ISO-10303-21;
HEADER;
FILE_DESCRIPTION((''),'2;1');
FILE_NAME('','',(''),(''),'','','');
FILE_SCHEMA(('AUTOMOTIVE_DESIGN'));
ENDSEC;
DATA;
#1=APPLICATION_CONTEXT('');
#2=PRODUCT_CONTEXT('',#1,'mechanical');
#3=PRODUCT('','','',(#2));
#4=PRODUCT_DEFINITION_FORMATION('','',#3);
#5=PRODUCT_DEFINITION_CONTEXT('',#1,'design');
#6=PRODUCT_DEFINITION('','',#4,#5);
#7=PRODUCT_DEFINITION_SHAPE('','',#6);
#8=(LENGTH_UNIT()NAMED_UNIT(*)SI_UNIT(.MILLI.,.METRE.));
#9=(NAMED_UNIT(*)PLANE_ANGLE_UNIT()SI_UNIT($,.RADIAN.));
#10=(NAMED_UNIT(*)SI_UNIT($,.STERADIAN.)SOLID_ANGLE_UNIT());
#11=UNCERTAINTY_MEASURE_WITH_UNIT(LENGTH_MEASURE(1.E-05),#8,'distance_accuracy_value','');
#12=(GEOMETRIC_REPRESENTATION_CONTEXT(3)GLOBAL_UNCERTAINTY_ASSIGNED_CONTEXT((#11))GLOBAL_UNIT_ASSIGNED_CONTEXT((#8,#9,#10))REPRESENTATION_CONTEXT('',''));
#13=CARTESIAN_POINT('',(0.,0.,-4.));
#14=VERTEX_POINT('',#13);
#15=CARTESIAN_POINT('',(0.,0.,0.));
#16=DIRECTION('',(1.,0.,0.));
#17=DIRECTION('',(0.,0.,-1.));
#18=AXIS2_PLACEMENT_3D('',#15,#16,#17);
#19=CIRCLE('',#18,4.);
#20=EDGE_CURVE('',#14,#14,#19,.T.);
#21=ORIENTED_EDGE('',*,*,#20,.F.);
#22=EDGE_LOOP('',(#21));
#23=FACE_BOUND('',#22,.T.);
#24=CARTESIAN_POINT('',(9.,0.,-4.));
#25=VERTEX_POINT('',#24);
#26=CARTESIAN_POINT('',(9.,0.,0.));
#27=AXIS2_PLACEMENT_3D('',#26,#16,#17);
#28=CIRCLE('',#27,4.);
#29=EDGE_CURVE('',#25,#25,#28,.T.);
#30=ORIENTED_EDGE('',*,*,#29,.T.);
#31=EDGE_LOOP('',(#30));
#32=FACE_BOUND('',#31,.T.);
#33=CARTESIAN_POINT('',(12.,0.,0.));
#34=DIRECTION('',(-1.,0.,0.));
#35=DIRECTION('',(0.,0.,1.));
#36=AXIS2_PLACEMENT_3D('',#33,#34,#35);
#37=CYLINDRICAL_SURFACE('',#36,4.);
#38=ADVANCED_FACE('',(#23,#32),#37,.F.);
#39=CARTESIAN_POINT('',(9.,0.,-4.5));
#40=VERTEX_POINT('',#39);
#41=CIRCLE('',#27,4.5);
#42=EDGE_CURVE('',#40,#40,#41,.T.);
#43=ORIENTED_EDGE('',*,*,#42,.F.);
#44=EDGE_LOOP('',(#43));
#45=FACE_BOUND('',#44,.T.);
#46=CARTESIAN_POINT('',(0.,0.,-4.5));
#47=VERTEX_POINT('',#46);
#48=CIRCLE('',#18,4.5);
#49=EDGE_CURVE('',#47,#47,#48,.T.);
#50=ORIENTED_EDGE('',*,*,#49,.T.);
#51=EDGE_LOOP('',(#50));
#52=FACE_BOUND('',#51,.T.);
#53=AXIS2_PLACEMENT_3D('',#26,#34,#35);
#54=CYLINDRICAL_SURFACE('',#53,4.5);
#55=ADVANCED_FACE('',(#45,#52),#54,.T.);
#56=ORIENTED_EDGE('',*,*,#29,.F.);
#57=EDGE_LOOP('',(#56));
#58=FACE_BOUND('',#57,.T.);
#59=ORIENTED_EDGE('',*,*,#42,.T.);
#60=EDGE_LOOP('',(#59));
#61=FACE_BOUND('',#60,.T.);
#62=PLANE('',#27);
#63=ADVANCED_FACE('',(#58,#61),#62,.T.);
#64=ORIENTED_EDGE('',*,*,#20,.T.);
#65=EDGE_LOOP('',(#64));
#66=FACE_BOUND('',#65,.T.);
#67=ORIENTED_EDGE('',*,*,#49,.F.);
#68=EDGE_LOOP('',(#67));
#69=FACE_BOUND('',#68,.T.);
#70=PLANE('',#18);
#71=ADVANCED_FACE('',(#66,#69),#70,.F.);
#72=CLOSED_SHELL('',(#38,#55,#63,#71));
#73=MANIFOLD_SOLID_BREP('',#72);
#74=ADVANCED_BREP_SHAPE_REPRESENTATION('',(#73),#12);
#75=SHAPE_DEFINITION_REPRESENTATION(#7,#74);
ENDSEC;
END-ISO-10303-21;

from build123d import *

# Parameters (mm, degrees)
SKETCH1_R               = 4.5
BOSS_EXTRUDE1_DEPTH     = 9
CUT_EXTRUDE1_DEPTH      = 2
CUT_EXTRUDE1_DEPTH_BACK = 12
SKETCH2_R               = 4


with BuildPart() as part:
    # Sketch1 → Boss-Extrude1 (new body)
    with BuildSketch(Plane(origin=(0, 0, 0), x_dir=(0, 0, -1), z_dir=(1, 0, 0))):
        Circle(SKETCH1_R)
    extrude(amount=BOSS_EXTRUDE1_DEPTH)

    # Sketch2 → Cut-Extrude1 (cut, two sides: drawn at the far end of the back side and taken through both)
    with BuildSketch(Plane.ZY.offset(-CUT_EXTRUDE1_DEPTH_BACK)):
        with Locations(Location((0, 0, 0), (0, 0, 180))):
            Circle(SKETCH2_R)
    extrude(amount=CUT_EXTRUDE1_DEPTH + CUT_EXTRUDE1_DEPTH_BACK, mode=Mode.SUBTRACT)


solid = part.part
